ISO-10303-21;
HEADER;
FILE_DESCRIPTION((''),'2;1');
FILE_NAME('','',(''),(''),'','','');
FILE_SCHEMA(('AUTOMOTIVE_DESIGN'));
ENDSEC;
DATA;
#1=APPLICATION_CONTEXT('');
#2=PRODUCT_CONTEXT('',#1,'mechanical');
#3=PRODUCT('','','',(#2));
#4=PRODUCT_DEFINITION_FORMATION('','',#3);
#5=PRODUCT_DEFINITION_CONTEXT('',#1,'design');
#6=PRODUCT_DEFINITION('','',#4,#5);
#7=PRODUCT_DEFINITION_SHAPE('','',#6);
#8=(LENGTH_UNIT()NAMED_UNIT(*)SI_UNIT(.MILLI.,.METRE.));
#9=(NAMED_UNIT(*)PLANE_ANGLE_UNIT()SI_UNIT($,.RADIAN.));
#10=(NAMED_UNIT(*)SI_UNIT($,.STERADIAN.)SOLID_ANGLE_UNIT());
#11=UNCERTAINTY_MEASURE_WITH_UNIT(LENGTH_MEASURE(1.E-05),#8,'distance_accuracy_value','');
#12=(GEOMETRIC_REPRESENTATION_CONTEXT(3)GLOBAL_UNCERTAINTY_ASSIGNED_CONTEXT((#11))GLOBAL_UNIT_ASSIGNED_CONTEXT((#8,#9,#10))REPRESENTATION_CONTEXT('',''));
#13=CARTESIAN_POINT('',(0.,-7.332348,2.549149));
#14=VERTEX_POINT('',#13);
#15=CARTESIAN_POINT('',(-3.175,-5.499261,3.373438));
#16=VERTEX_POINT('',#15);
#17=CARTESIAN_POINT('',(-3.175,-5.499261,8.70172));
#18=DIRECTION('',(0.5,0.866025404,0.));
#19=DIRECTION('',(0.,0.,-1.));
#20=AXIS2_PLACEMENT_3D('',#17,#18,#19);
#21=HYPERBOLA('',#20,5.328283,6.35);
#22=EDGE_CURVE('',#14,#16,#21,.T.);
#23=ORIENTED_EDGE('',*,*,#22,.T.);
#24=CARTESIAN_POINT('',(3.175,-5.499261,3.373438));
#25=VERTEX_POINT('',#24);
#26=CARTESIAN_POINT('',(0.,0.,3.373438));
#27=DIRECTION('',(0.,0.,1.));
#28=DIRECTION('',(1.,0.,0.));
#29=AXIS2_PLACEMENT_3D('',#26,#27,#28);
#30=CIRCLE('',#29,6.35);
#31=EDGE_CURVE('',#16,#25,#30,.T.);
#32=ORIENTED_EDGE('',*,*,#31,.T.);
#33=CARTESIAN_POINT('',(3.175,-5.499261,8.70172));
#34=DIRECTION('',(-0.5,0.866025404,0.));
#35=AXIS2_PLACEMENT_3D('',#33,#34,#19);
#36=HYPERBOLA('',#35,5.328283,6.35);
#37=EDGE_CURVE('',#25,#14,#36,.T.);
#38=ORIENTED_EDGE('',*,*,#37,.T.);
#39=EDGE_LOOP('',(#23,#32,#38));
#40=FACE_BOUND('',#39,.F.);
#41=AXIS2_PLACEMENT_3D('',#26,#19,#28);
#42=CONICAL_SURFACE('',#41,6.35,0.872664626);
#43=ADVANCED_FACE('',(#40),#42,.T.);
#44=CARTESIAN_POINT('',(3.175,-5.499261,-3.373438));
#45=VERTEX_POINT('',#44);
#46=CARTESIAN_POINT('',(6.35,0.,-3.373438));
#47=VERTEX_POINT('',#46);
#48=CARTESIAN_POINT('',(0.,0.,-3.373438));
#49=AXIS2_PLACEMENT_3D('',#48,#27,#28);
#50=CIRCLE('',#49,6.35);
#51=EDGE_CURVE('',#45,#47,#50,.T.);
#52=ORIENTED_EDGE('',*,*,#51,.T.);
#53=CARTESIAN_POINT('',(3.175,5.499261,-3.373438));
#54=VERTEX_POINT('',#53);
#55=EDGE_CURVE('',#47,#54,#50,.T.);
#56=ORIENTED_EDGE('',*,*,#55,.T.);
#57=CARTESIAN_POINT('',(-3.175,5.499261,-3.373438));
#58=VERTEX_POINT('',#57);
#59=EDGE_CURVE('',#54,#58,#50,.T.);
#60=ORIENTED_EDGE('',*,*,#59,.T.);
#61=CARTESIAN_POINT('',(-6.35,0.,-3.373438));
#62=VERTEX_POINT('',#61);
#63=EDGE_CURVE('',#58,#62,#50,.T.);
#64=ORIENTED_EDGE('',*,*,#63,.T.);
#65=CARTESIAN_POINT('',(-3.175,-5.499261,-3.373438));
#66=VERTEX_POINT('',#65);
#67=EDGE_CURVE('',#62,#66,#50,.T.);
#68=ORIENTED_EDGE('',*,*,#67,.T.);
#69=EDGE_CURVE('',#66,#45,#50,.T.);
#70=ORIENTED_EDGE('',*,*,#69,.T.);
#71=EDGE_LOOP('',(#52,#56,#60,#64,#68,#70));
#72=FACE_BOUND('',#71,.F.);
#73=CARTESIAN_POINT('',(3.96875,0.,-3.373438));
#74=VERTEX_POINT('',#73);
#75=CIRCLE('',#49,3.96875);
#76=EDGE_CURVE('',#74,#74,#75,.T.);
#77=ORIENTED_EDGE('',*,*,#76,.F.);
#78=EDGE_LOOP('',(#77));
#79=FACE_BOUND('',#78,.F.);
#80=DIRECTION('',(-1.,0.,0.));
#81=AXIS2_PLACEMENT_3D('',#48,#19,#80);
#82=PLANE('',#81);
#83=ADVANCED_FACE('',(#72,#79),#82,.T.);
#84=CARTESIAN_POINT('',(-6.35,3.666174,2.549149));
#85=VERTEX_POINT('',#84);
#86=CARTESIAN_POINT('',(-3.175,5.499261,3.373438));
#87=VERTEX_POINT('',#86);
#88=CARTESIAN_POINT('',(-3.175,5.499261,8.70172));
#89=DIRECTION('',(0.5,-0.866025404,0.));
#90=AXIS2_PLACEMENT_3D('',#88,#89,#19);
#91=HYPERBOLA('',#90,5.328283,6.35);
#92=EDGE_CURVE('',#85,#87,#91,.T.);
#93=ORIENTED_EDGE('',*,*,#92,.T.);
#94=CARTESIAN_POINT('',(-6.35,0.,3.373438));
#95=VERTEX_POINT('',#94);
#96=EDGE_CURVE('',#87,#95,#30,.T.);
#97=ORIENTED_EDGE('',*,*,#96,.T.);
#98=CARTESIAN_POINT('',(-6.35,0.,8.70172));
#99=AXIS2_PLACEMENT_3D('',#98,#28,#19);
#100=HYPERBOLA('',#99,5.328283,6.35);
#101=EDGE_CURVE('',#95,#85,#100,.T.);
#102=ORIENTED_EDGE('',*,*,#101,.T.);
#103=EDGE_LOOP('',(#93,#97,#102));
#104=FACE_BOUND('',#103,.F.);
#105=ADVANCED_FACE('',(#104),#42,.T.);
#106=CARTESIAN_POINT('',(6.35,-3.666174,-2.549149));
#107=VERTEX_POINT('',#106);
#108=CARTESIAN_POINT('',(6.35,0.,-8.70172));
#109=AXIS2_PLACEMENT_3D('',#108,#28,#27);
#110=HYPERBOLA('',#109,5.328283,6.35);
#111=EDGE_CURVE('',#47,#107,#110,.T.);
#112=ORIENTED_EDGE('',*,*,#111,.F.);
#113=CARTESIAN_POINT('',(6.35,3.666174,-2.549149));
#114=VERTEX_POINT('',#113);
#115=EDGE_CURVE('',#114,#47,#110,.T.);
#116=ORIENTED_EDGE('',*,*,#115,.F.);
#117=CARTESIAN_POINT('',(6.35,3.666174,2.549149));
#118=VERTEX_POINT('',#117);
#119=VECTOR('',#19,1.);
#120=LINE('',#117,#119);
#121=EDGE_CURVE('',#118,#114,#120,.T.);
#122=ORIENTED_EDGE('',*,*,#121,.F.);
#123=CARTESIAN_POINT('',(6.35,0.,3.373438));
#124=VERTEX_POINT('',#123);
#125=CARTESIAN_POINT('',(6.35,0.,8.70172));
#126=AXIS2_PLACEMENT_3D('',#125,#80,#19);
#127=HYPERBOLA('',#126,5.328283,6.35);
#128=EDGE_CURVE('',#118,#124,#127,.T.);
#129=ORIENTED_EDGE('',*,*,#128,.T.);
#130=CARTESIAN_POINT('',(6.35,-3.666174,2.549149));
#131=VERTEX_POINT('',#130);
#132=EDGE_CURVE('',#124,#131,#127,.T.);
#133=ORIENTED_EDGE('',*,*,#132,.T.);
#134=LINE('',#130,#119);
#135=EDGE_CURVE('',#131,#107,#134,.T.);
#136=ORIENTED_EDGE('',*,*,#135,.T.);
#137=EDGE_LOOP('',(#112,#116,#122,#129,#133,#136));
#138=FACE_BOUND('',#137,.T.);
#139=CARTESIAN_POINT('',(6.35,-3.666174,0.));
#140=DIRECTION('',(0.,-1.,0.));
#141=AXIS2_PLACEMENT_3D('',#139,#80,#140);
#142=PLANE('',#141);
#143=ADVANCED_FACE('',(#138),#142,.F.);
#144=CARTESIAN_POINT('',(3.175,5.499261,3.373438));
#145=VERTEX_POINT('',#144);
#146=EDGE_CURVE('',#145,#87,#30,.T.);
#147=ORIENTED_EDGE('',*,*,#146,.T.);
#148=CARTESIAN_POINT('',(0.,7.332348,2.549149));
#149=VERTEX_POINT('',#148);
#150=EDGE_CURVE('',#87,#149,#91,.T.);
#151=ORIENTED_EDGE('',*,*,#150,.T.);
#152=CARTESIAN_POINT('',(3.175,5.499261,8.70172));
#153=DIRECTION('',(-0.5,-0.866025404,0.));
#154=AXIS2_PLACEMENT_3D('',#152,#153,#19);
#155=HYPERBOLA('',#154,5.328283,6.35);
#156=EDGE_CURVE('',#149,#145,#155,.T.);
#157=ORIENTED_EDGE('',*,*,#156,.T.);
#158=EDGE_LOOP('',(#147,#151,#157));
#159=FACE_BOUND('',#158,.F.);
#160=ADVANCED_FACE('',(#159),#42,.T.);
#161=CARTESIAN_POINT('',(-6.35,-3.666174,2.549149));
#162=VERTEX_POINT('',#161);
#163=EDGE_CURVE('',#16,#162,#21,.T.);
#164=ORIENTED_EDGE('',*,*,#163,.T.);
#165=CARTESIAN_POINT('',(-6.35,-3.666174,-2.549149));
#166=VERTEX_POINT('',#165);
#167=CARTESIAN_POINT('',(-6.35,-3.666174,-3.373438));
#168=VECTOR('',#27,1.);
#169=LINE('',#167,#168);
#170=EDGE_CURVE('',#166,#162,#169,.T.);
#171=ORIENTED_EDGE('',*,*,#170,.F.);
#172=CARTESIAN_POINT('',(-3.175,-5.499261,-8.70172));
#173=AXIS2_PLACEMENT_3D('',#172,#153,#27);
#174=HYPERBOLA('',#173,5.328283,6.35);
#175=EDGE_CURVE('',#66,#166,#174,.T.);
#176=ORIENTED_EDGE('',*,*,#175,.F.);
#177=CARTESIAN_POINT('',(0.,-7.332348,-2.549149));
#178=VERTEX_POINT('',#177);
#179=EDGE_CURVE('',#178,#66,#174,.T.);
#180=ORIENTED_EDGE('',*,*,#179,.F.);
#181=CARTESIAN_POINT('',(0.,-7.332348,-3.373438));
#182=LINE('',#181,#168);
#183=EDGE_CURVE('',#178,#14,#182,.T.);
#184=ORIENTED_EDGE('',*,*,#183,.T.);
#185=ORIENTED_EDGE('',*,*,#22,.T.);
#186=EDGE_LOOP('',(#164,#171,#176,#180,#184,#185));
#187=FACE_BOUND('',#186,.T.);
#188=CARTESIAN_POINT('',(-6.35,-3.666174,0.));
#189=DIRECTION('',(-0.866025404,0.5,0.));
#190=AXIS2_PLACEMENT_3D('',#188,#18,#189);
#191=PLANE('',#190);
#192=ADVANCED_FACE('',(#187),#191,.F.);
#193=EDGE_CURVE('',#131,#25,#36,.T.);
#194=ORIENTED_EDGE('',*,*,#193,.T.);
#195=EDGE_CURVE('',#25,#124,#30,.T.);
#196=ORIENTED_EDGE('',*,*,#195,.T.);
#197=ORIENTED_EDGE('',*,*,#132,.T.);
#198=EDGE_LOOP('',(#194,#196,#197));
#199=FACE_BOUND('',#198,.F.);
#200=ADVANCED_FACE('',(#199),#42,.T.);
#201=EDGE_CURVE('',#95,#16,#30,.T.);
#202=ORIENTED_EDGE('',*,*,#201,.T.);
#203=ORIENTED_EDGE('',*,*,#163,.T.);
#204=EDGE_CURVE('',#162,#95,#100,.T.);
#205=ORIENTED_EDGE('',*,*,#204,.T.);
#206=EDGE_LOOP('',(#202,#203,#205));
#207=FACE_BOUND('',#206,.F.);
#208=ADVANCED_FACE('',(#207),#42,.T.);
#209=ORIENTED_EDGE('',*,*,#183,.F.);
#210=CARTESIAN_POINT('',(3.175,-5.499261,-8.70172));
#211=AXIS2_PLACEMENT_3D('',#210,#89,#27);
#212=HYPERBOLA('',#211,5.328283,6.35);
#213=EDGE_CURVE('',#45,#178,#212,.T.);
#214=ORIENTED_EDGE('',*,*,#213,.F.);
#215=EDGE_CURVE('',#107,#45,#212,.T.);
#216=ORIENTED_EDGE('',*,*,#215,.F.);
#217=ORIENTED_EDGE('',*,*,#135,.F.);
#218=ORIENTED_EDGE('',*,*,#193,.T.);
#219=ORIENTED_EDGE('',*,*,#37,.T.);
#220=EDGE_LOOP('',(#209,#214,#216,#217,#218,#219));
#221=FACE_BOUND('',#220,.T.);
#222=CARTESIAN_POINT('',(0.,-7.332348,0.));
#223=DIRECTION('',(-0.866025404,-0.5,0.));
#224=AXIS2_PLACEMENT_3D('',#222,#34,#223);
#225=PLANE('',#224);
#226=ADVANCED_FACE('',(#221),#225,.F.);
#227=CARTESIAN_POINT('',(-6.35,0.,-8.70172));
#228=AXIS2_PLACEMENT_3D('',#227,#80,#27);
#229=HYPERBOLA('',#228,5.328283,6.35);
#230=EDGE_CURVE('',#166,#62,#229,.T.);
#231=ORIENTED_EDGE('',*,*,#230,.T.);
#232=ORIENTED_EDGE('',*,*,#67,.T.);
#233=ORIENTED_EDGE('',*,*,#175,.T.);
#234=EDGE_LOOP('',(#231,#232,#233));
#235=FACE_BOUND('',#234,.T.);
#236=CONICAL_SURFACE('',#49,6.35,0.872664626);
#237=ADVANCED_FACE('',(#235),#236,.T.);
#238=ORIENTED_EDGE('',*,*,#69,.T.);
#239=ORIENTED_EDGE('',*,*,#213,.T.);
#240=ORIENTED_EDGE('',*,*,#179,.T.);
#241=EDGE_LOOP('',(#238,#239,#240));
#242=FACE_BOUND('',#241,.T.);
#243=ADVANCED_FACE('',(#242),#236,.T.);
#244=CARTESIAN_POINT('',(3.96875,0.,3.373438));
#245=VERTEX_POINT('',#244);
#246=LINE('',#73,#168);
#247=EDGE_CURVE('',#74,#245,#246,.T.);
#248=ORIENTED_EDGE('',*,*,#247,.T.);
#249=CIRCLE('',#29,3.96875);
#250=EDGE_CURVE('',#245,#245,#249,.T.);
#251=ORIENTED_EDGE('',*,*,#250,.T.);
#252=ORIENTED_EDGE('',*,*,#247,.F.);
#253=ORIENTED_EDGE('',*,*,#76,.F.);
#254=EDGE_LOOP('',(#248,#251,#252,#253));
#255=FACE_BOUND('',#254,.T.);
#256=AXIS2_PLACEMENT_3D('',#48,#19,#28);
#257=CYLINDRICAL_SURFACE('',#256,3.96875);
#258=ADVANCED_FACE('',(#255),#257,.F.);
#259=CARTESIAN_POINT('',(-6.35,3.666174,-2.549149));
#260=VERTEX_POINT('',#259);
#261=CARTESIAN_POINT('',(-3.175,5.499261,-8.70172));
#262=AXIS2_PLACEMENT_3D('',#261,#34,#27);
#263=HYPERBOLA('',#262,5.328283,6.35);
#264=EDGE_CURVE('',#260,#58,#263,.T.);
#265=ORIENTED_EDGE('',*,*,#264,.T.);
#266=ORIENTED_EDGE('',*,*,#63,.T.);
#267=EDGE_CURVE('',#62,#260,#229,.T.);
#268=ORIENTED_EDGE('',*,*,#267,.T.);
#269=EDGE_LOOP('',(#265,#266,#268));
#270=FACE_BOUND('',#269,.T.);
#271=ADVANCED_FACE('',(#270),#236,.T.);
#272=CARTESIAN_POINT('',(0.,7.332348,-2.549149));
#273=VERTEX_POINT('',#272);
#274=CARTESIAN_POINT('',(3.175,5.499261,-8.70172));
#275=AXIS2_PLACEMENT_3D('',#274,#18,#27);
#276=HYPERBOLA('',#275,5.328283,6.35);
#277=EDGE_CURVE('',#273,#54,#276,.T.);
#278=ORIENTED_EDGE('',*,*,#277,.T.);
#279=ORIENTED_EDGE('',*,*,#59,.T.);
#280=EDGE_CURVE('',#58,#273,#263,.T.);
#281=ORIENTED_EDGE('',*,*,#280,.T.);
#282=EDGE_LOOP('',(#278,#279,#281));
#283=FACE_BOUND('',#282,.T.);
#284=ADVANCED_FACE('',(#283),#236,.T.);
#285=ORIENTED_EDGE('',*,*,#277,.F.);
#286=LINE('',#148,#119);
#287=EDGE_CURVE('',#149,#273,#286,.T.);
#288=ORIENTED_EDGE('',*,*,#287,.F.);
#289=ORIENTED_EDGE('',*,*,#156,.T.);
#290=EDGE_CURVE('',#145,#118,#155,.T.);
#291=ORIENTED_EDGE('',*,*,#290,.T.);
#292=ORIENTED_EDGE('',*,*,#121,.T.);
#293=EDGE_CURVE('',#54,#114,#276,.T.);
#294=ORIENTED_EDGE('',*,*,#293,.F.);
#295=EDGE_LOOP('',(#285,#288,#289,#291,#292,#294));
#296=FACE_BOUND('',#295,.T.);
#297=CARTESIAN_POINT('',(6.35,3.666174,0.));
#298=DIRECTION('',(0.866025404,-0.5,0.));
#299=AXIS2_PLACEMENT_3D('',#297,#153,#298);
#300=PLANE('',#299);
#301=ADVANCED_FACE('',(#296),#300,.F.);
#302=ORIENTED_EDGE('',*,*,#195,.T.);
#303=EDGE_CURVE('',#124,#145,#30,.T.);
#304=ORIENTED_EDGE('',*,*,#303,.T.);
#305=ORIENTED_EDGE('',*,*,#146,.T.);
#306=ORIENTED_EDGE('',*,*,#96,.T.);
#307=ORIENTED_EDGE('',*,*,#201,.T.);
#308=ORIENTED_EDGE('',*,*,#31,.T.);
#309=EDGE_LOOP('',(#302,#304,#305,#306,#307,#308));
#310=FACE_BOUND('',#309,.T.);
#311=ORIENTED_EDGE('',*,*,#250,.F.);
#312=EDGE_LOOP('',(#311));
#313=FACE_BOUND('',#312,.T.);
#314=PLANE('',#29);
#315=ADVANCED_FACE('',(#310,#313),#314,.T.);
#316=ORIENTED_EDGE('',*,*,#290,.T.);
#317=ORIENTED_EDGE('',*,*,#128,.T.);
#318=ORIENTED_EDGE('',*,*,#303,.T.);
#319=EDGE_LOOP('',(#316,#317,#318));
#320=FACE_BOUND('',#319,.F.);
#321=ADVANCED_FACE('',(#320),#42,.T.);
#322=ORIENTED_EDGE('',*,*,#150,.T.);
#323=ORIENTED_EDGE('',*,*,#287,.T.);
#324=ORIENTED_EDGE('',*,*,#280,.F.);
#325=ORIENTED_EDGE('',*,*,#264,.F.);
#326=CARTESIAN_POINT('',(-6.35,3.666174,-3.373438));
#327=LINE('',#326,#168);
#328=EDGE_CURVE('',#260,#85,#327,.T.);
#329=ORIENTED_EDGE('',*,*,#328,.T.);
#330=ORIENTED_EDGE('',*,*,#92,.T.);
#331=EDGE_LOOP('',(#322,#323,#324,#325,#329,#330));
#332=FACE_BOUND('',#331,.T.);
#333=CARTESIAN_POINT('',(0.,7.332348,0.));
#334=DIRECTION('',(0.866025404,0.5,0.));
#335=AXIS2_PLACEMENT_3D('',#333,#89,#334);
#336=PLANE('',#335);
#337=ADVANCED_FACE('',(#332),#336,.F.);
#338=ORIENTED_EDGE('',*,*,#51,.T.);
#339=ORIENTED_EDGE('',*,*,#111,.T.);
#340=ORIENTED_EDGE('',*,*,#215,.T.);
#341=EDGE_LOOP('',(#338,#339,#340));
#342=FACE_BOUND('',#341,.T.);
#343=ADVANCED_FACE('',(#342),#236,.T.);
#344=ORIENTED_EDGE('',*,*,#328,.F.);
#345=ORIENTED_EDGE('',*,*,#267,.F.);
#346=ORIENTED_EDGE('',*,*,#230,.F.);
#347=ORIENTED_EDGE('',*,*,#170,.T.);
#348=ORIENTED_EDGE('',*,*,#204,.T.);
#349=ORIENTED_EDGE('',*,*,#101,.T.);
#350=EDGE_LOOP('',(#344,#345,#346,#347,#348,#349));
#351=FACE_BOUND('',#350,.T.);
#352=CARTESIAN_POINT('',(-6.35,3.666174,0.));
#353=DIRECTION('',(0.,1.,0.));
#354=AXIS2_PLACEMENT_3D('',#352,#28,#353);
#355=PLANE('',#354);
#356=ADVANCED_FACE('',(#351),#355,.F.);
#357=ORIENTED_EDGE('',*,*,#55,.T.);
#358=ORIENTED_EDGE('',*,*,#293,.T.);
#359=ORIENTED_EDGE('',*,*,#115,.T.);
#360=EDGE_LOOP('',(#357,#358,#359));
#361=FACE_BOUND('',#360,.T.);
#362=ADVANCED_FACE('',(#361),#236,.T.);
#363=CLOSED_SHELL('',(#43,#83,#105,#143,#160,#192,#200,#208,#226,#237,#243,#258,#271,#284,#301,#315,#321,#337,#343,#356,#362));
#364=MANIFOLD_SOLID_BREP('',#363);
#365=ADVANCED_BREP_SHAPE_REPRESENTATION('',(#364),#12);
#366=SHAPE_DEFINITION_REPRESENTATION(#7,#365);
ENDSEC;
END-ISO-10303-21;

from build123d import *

# Parameters (mm, degrees)
EXTRUDE1_DEPTH     = 3.3734375
SKETCH2_R          = 3.96875
CUT_EXTRUDE1_DEPTH = 11.269659873


with BuildPart() as part:
    # Sketch1 → Extrude1 (new body)
    with BuildSketch(Plane.XY):
        Polygon((0, 7.332348419), (-6.35, 3.666174209), (-6.35, -3.666174209), (0, -7.332348419), (6.35, -3.666174209), (6.35, 3.666174209), align=None)
    extrude1 = extrude(amount=EXTRUDE1_DEPTH)

    # Sketch2 → Cut-Extrude1 (cut, through all)
    with BuildSketch(Plane.XY.offset(3.3734375)):
        Circle(SKETCH2_R)
    cut_extrude1 = extrude(amount=-CUT_EXTRUDE1_DEPTH, mode=Mode.SUBTRACT)

    # Sketch3 → Cut-Revolve1 (revolve, cut)
    with BuildSketch(Plane(origin=(0, 0, 0), x_dir=(1, 0, 0), z_dir=(0, 1, 0))):
        Polygon((6.35, -3.3734375), (9.525, -0.709296171), (9.525, -3.3734375), align=None)
    cut_revolve1 = revolve(axis=Axis((0, 0, 0), (0, 0, 1)), mode=Mode.SUBTRACT)

    # Mirror1: Extrude1, Cut-Extrude1, Cut-Revolve1 across plane
    add(extrude1.mirror(Plane(origin=(0, 7.332348419, 0), x_dir=(1, 0, 0), z_dir=(0, 0, 1))))
    add(cut_extrude1.mirror(Plane(origin=(0, 7.332348419, 0), x_dir=(1, 0, 0), z_dir=(0, 0, 1))), mode=Mode.SUBTRACT)
    add(cut_revolve1.mirror(Plane(origin=(0, 7.332348419, 0), x_dir=(1, 0, 0), z_dir=(0, 0, 1))), mode=Mode.SUBTRACT)


solid = part.part
